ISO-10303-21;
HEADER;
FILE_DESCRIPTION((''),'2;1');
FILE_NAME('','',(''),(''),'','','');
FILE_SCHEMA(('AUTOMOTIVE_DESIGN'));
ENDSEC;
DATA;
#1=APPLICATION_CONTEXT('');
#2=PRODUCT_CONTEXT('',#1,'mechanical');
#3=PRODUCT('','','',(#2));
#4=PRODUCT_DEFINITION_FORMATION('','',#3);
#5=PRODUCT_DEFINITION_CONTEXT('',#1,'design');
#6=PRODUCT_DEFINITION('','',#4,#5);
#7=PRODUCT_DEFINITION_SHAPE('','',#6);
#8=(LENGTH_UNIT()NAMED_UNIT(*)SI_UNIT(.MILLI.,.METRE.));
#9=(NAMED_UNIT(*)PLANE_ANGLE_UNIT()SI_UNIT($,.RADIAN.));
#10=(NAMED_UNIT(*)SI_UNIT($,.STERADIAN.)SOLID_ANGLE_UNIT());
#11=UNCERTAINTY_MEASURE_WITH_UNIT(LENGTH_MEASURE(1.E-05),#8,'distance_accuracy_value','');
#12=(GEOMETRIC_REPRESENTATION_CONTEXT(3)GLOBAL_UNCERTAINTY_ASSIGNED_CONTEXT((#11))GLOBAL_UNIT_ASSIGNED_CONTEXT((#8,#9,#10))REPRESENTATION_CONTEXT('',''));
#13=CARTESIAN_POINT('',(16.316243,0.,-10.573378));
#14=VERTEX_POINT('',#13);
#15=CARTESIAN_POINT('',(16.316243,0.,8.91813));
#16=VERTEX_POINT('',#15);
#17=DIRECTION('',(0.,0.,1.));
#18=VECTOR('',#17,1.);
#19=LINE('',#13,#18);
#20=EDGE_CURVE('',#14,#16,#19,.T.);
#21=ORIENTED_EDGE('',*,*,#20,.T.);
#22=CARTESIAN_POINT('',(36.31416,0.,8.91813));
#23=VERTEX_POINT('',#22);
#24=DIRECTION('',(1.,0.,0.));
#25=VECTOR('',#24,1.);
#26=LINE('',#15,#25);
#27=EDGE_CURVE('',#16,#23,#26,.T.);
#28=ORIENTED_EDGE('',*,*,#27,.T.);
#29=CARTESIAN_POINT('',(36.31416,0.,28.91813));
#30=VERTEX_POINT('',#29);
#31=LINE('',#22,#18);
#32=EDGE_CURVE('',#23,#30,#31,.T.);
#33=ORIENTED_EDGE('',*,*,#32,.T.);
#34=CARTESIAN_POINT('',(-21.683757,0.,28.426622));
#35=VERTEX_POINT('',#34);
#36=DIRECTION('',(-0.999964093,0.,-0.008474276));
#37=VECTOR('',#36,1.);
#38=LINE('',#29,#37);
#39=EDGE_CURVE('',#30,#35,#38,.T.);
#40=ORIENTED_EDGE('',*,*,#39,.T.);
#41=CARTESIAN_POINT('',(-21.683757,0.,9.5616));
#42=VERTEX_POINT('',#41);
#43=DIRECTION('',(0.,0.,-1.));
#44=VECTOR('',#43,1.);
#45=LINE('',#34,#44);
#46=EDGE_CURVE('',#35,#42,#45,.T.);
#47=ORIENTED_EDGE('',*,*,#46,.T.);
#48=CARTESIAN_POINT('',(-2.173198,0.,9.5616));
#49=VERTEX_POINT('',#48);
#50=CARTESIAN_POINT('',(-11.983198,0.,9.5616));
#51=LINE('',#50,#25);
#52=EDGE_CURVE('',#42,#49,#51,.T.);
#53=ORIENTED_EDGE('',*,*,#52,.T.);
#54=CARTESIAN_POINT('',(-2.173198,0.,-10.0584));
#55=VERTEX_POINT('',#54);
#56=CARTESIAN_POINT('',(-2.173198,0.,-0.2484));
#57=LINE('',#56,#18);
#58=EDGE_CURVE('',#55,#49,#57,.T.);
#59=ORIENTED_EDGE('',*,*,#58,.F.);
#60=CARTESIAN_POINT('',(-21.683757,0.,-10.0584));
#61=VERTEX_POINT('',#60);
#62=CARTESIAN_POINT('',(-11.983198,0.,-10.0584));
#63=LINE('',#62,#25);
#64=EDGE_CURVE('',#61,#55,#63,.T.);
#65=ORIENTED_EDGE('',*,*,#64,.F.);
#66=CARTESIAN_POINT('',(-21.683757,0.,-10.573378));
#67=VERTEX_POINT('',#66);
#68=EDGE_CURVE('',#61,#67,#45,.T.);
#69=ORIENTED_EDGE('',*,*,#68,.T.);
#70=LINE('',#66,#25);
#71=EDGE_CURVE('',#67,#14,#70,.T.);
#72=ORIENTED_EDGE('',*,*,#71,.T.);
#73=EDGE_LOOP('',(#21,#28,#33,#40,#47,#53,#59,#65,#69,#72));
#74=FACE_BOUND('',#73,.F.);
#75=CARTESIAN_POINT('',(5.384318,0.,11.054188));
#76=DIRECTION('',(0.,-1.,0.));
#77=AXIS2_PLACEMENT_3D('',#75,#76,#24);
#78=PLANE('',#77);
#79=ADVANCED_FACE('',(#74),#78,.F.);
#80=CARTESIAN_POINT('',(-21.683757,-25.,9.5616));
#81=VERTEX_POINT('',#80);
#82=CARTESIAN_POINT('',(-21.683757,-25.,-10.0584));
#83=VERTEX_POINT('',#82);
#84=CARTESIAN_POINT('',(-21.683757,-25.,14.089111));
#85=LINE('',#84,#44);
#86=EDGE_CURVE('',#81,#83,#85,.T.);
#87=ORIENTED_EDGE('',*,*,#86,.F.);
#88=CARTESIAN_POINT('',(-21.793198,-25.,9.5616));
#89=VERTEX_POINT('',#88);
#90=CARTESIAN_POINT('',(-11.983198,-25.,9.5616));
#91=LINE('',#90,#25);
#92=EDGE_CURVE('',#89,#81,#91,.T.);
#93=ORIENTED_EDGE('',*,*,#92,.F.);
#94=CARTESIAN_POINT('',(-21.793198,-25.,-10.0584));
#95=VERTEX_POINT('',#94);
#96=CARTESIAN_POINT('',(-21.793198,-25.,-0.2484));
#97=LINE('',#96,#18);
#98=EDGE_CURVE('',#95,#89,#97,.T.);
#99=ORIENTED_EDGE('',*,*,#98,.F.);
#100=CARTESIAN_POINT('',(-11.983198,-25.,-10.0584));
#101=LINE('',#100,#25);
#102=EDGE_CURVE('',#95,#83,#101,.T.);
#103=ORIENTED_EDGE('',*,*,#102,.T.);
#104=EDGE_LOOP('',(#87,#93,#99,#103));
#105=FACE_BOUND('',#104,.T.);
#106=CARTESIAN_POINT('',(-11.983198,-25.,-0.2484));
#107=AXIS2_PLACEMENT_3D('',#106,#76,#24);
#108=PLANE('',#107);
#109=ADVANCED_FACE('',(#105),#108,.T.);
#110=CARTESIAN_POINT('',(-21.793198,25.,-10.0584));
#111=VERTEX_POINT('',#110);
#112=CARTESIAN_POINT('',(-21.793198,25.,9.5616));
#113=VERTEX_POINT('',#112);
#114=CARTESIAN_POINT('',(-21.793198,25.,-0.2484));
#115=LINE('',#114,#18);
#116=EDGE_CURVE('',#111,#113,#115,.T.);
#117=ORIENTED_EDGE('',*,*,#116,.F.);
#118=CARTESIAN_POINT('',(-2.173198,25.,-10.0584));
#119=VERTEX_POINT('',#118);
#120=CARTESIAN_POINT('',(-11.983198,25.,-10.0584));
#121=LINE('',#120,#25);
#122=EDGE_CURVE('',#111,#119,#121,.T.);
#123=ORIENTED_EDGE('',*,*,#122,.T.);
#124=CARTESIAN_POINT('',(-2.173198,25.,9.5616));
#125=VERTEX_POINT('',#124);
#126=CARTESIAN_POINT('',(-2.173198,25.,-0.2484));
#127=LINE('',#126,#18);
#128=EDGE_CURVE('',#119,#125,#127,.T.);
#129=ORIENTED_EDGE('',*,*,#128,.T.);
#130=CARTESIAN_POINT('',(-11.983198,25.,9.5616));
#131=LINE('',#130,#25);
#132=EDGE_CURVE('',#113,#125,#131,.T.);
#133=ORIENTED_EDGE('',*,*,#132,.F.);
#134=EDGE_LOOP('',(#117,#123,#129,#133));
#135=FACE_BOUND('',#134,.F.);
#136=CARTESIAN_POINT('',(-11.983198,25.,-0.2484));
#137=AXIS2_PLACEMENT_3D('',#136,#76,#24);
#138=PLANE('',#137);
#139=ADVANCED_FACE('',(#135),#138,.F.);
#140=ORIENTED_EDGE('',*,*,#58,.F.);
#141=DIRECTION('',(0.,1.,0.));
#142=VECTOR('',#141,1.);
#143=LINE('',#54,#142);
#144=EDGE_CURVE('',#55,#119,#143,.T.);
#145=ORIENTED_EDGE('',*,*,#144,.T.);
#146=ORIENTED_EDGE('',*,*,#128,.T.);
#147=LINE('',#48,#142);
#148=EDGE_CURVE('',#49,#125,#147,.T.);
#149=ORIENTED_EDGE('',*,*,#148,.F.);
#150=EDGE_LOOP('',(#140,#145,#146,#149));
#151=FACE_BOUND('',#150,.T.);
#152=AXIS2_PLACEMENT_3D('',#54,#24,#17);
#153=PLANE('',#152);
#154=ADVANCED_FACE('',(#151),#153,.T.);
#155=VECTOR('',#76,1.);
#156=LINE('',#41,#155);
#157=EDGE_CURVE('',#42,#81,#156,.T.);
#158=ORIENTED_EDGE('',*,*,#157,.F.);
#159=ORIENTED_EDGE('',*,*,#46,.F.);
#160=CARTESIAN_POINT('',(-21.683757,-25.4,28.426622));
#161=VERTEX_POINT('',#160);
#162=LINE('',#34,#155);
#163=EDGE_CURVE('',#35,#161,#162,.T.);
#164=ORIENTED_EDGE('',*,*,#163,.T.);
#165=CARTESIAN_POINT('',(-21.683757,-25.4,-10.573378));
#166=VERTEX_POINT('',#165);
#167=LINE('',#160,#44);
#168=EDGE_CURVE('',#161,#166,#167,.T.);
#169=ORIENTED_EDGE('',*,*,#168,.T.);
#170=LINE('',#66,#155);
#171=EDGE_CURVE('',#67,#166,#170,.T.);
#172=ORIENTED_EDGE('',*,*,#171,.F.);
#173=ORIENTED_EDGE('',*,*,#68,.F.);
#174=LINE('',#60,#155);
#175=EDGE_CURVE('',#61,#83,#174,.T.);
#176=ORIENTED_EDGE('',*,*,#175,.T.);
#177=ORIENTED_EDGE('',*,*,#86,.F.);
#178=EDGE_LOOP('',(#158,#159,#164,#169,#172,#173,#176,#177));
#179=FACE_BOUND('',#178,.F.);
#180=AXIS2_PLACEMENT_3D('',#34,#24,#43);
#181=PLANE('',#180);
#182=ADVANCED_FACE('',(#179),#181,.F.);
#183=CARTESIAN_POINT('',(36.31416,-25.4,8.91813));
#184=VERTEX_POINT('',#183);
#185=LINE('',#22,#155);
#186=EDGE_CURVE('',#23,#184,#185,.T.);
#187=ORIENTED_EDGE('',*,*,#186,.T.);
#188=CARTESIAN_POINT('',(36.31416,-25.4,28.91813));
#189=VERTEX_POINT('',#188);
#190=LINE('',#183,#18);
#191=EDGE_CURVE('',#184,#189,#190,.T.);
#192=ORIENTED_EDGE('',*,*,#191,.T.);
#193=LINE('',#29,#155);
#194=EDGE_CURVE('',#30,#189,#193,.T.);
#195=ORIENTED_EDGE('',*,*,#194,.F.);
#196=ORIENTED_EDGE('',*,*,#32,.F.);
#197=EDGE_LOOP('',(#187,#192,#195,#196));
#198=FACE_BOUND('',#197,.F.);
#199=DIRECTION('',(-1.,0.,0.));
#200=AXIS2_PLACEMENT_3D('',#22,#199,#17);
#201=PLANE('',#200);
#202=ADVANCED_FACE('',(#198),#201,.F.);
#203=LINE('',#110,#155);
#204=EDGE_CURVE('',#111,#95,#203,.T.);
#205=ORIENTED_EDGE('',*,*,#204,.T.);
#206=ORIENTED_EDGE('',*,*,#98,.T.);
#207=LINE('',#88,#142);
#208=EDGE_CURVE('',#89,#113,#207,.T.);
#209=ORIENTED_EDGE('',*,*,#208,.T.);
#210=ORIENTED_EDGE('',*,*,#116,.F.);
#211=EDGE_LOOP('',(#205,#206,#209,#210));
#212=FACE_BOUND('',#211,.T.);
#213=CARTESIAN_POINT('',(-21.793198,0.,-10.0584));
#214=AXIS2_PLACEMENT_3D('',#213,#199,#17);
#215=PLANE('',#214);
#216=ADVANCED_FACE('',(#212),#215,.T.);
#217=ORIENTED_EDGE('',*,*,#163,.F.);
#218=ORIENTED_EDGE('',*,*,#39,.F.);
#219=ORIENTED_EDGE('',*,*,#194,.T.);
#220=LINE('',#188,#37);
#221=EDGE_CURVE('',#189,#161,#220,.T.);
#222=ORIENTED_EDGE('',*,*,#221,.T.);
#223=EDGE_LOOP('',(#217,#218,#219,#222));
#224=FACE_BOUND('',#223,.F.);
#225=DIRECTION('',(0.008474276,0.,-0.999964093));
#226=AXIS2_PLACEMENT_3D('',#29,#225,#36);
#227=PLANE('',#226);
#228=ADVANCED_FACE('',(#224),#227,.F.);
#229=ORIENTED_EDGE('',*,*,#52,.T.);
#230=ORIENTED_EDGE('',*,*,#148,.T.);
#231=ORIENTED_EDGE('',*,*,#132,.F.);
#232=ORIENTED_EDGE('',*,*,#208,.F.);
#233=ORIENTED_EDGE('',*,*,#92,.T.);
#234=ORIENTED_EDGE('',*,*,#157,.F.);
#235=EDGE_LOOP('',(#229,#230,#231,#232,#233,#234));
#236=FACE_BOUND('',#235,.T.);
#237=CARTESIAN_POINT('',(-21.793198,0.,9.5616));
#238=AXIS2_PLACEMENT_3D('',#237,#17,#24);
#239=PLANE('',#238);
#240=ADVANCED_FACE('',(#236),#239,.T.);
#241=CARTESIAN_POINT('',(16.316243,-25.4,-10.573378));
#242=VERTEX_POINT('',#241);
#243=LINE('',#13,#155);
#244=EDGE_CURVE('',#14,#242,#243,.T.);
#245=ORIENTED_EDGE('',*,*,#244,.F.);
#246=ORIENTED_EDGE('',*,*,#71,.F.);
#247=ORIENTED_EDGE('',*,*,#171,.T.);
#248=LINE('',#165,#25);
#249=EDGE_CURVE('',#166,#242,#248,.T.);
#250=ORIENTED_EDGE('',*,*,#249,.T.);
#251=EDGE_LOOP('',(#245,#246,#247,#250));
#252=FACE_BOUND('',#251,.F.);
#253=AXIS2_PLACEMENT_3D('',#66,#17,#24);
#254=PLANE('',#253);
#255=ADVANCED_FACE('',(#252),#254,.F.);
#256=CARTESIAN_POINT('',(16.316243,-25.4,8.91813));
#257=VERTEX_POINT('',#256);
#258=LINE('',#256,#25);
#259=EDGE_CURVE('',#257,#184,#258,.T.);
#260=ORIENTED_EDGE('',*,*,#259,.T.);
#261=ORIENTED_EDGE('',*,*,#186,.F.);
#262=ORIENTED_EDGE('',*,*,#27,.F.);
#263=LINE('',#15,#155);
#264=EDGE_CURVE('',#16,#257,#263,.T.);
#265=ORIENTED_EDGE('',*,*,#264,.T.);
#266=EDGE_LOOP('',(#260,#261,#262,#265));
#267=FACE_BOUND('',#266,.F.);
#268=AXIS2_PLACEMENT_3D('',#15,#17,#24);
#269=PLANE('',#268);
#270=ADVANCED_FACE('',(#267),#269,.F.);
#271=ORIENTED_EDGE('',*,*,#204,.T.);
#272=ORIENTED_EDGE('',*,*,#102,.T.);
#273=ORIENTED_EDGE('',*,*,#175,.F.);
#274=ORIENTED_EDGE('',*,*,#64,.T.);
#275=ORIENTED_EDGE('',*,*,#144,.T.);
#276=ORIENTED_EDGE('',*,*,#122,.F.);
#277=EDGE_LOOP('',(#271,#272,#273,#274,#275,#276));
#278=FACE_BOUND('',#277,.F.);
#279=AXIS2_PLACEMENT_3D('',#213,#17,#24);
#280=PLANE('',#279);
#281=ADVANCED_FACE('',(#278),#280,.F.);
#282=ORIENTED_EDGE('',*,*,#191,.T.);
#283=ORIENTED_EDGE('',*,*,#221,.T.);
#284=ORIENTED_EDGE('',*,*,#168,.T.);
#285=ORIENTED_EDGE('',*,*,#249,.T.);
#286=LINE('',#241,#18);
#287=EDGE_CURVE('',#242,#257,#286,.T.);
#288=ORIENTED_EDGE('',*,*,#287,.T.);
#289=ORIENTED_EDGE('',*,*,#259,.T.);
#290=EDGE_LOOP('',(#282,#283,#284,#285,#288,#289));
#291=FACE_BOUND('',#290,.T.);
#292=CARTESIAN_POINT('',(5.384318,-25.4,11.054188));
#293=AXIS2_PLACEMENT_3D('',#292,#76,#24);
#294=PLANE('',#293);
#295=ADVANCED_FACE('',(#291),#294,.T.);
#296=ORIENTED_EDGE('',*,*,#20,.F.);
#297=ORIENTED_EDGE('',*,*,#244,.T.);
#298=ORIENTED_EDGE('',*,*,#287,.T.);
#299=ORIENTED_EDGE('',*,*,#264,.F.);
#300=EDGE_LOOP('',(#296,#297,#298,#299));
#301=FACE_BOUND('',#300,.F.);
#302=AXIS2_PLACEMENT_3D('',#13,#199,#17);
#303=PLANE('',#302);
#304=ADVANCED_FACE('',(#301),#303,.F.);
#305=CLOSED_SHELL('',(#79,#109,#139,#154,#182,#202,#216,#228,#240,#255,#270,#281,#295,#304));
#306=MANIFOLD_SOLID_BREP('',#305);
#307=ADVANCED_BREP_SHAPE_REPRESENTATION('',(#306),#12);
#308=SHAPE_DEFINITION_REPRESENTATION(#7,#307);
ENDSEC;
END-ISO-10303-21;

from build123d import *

# Parameters (mm, degrees)
F1_DEPTH = 25.4
F2_W     = 19.62
F2_H     = 19.62
F3_DEPTH = 25
F4_DEPTH = 25


with BuildPart() as f1:
    # F0 (on Front) → F1 (new body)
    with BuildSketch(Plane.XZ):
        Polygon((36.31416, 28.91813), (-21.683757, 28.426622), (-21.683757, -10.573378), (16.316243, -10.573378), (16.316243, 8.91813), (36.31416, 8.91813), align=None)
    extrude(amount=F1_DEPTH)

    # F2 (on Front) → F3 (join)
    with BuildSketch(Plane.XZ):
        with Locations((-11.983198, -0.2484)):
            Rectangle(F2_W, F2_H)
    extrude(amount=-F3_DEPTH)

    # F2 (on Front) → F4 (join)
    with BuildSketch(Plane.XZ):
        with Locations((-11.983198, -0.2484)):
            Rectangle(F2_W, F2_H)
    extrude(amount=F4_DEPTH)


solid = f1.part
